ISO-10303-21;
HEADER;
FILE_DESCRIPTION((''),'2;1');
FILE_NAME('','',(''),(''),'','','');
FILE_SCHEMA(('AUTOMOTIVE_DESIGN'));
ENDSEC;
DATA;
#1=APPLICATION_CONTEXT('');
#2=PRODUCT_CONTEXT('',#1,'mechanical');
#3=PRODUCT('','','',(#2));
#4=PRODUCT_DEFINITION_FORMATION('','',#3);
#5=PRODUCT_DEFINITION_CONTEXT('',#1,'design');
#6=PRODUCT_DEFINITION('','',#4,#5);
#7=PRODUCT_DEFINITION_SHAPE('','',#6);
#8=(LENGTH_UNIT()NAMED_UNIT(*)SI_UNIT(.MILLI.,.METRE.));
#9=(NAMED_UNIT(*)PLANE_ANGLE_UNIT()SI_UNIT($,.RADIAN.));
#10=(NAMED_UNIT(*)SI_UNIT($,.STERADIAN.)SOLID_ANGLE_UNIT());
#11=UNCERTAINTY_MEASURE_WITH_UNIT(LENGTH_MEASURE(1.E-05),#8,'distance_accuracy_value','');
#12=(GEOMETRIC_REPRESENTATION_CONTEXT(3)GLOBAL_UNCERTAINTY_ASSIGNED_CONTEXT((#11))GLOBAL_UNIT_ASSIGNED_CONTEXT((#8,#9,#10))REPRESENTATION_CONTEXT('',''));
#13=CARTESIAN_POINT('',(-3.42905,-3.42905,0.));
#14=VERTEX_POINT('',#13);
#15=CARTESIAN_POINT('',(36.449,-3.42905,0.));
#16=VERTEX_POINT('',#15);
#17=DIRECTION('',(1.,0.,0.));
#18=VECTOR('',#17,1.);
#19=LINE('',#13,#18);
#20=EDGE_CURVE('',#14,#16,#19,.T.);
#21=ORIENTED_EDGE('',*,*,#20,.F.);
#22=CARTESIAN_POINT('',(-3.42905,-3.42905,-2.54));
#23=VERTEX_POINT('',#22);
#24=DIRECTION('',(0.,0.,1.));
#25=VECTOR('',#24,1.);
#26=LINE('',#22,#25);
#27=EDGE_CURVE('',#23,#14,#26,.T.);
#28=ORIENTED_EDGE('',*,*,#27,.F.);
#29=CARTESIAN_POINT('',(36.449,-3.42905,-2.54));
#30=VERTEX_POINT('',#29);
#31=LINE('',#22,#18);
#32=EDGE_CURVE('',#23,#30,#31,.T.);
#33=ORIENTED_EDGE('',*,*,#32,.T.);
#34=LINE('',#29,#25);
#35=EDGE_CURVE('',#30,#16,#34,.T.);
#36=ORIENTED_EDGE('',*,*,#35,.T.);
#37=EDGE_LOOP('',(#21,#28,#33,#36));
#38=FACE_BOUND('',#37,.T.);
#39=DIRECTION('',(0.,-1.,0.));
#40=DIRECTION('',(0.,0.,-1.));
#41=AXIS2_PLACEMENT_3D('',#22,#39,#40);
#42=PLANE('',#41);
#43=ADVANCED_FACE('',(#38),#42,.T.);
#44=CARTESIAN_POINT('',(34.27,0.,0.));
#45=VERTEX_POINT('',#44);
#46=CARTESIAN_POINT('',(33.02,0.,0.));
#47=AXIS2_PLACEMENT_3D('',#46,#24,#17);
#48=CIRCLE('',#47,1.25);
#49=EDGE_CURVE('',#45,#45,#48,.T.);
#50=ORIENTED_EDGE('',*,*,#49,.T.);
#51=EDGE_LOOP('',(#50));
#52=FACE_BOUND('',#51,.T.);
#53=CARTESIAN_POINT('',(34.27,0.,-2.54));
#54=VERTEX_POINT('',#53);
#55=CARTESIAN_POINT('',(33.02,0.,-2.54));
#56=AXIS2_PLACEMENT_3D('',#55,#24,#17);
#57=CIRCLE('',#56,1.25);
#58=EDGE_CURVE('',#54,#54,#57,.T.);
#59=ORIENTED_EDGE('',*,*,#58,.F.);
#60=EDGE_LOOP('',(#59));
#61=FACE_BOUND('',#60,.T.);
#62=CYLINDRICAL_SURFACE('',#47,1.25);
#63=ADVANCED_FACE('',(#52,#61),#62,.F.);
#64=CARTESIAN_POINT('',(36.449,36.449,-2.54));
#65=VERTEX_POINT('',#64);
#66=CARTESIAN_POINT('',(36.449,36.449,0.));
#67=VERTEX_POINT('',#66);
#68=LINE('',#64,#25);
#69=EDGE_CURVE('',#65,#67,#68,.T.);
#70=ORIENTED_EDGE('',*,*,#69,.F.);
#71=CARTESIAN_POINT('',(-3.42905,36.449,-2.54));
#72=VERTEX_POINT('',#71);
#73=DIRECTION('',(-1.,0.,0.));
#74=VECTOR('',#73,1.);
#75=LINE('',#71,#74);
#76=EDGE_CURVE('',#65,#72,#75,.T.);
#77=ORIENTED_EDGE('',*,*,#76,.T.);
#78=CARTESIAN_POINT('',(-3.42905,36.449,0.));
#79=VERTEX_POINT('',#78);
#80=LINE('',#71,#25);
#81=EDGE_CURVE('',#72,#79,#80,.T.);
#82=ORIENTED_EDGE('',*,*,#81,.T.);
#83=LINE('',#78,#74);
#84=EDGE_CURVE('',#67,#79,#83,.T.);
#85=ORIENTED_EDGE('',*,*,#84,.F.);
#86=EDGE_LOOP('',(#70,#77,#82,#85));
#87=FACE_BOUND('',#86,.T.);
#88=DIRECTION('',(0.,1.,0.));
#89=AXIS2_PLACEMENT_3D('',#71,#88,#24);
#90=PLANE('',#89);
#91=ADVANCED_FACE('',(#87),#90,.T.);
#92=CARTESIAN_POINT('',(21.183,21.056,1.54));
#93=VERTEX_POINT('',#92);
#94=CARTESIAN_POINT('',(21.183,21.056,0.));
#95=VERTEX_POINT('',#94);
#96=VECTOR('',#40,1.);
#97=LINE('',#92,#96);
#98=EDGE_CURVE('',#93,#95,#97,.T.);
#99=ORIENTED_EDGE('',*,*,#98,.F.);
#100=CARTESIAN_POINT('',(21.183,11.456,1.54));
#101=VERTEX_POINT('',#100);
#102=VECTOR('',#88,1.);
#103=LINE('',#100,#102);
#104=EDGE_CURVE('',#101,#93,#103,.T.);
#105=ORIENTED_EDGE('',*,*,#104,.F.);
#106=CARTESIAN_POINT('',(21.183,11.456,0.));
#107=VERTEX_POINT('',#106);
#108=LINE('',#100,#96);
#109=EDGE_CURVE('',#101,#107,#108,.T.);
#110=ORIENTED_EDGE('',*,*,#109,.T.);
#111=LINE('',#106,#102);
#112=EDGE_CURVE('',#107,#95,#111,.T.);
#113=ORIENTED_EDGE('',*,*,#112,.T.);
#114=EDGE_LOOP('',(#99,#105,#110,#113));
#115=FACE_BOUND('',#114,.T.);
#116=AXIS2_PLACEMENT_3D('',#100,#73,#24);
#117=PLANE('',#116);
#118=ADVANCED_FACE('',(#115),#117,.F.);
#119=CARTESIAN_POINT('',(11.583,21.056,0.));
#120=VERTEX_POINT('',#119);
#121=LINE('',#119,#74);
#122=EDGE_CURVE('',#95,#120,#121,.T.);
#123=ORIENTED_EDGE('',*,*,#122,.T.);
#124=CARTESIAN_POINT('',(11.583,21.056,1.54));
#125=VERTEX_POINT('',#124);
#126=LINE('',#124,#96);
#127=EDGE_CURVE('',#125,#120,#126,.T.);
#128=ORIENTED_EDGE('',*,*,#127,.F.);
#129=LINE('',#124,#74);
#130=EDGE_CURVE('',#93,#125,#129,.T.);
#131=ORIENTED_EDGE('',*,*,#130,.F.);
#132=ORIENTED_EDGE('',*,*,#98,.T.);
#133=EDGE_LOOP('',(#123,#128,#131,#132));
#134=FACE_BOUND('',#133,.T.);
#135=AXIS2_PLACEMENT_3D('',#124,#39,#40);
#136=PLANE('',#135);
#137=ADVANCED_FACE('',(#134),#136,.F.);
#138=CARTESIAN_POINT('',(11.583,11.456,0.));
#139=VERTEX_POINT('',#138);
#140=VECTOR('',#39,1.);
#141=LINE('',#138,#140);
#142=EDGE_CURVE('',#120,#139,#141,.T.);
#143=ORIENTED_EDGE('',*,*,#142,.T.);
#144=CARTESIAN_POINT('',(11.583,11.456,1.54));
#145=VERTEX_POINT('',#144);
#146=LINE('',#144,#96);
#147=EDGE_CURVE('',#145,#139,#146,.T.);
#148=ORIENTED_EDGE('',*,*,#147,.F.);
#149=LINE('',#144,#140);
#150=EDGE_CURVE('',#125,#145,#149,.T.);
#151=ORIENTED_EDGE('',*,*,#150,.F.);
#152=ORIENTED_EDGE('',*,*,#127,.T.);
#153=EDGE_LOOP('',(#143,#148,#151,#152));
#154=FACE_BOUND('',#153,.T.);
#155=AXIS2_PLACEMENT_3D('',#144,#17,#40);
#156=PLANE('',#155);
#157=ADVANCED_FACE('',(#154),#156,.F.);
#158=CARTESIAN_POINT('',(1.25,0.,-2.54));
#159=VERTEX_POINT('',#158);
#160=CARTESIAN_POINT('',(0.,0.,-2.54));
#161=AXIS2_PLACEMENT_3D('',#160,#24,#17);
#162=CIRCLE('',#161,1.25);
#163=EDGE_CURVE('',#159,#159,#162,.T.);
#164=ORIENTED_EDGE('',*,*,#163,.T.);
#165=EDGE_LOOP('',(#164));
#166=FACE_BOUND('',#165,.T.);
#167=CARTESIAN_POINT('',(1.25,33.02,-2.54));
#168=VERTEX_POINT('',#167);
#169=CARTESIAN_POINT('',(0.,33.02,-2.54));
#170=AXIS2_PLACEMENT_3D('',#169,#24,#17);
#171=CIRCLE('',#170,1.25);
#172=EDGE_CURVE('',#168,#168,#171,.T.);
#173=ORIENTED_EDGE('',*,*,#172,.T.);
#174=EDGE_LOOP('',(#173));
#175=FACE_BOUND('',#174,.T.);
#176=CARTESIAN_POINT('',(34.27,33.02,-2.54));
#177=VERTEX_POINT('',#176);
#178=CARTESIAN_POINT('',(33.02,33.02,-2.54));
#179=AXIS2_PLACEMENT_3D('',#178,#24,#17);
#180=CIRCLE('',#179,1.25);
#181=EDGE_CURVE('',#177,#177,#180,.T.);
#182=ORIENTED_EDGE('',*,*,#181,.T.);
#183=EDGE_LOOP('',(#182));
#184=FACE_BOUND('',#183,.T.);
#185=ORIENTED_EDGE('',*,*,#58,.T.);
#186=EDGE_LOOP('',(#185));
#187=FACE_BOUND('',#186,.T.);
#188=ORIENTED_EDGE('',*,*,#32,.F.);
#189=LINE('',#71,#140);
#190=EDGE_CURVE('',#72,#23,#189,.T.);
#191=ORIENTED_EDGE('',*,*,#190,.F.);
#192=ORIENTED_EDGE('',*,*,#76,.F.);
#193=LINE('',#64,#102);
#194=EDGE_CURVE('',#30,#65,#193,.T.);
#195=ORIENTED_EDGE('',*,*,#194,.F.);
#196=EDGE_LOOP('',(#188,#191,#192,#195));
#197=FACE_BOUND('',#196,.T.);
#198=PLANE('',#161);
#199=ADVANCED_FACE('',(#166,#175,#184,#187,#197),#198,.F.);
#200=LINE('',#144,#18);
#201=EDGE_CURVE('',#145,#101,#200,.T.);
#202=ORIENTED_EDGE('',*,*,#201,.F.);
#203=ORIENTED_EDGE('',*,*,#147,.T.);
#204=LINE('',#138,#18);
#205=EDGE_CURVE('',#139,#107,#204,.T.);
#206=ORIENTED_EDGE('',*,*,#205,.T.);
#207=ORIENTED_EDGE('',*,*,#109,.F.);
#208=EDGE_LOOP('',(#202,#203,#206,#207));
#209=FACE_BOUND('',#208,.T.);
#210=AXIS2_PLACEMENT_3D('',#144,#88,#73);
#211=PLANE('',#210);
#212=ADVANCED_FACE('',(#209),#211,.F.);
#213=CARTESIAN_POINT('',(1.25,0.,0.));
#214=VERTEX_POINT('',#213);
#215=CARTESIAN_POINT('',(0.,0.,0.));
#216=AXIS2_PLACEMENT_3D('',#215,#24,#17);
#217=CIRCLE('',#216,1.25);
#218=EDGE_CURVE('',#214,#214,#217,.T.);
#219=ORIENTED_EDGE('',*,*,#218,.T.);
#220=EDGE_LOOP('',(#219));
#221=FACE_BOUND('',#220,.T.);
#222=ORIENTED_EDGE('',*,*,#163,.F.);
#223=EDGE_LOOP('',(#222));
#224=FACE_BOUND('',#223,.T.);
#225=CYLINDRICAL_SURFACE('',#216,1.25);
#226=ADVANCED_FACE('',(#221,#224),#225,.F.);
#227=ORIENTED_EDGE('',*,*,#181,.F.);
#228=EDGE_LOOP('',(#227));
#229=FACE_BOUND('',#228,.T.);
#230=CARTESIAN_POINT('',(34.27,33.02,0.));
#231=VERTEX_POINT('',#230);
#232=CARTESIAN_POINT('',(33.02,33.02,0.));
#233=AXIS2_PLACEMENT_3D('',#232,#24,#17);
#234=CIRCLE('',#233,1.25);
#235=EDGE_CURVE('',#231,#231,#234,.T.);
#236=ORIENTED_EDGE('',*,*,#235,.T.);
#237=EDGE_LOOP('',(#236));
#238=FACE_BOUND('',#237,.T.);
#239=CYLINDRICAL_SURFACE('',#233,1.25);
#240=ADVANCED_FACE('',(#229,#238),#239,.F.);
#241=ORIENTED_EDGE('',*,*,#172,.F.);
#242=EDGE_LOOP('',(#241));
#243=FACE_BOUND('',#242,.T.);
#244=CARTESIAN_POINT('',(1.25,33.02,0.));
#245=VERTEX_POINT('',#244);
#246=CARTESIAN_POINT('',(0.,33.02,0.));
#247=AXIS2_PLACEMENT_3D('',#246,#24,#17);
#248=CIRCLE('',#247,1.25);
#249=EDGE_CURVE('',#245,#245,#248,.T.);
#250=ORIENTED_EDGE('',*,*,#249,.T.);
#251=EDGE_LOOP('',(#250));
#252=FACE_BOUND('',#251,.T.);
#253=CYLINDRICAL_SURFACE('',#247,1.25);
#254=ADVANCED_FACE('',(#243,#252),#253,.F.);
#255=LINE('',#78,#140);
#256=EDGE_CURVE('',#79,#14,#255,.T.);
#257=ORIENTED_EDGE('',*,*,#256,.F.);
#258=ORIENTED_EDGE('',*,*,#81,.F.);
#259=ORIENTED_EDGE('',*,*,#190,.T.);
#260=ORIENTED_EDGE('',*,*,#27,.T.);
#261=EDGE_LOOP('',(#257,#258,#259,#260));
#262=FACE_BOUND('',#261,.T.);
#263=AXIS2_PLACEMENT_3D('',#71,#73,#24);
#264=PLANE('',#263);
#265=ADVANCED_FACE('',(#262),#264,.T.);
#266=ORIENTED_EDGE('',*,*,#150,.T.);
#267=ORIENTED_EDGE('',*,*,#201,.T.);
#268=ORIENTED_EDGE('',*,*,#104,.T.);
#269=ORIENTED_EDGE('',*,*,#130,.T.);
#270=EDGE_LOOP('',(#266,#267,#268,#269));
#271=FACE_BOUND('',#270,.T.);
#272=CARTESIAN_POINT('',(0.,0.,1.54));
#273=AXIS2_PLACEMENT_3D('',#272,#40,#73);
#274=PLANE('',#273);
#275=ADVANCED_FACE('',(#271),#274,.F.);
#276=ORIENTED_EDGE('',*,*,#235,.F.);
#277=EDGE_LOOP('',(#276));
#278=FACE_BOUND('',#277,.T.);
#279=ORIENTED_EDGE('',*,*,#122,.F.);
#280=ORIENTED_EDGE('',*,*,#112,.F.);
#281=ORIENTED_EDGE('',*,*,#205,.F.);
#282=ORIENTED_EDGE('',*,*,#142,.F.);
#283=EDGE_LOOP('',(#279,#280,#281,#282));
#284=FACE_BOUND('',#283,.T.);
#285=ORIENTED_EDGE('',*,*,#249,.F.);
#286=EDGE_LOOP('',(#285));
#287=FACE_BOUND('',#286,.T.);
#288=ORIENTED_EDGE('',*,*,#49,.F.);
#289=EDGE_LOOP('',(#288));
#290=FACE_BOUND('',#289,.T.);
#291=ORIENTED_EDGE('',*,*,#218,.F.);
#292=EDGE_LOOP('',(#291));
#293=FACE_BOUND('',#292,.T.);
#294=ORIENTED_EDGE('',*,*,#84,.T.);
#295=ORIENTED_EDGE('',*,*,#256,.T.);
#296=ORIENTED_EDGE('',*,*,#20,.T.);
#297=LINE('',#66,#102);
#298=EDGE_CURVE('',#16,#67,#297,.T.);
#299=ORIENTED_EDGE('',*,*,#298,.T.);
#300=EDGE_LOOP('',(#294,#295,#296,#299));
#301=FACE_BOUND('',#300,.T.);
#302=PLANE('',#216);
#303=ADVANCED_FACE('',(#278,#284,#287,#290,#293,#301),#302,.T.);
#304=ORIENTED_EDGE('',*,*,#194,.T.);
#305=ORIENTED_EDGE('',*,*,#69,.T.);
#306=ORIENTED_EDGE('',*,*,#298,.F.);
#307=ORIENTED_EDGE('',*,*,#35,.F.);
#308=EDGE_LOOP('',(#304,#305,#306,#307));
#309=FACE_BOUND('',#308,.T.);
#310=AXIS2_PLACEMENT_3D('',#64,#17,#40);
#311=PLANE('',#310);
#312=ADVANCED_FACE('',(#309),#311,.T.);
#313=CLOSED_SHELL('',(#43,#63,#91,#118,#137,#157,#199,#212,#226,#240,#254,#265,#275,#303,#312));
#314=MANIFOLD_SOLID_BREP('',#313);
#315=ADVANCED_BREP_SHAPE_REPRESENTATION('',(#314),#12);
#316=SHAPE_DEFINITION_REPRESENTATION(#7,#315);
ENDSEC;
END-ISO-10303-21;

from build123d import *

# Parameters (mm, degrees)
SCHIZZO2_W                   = 39.87805
SCHIZZO2_H                   = 39.87805
ESTRUSIONE_ESTRUSIONE1_DEPTH = 2.54
FORO_FILETTATO_M3X0_5_1_D    = 2.5
SCHIZZO5_W                   = 9.6
SCHIZZO5_H                   = 9.6
ESTRUSIONE_ESTRUSIONE2_DEPTH = 1.54


with BuildPart() as part:
    # Schizzo2 → Estrusione-Estrusione1 (new body)
    with BuildSketch(Plane.XY):
        with Locations((16.509975, 16.509975)):
            Rectangle(SCHIZZO2_W, SCHIZZO2_H)
    extrude(amount=-ESTRUSIONE_ESTRUSIONE1_DEPTH)

    # Foro filettato M3x0.5-1 (through all)
    with Locations(Plane.XY):
        with Locations((0, 33.02), (33.02, 33.02), (33.02, 0), (0, 0)):
            Hole(FORO_FILETTATO_M3X0_5_1_D / 2)

    # Schizzo5 → Estrusione-Estrusione2 (add)
    with BuildSketch(Plane.XY):
        with Locations((16.383, 16.256)):
            Rectangle(SCHIZZO5_W, SCHIZZO5_H)
    extrude(amount=ESTRUSIONE_ESTRUSIONE2_DEPTH)


solid = part.part
